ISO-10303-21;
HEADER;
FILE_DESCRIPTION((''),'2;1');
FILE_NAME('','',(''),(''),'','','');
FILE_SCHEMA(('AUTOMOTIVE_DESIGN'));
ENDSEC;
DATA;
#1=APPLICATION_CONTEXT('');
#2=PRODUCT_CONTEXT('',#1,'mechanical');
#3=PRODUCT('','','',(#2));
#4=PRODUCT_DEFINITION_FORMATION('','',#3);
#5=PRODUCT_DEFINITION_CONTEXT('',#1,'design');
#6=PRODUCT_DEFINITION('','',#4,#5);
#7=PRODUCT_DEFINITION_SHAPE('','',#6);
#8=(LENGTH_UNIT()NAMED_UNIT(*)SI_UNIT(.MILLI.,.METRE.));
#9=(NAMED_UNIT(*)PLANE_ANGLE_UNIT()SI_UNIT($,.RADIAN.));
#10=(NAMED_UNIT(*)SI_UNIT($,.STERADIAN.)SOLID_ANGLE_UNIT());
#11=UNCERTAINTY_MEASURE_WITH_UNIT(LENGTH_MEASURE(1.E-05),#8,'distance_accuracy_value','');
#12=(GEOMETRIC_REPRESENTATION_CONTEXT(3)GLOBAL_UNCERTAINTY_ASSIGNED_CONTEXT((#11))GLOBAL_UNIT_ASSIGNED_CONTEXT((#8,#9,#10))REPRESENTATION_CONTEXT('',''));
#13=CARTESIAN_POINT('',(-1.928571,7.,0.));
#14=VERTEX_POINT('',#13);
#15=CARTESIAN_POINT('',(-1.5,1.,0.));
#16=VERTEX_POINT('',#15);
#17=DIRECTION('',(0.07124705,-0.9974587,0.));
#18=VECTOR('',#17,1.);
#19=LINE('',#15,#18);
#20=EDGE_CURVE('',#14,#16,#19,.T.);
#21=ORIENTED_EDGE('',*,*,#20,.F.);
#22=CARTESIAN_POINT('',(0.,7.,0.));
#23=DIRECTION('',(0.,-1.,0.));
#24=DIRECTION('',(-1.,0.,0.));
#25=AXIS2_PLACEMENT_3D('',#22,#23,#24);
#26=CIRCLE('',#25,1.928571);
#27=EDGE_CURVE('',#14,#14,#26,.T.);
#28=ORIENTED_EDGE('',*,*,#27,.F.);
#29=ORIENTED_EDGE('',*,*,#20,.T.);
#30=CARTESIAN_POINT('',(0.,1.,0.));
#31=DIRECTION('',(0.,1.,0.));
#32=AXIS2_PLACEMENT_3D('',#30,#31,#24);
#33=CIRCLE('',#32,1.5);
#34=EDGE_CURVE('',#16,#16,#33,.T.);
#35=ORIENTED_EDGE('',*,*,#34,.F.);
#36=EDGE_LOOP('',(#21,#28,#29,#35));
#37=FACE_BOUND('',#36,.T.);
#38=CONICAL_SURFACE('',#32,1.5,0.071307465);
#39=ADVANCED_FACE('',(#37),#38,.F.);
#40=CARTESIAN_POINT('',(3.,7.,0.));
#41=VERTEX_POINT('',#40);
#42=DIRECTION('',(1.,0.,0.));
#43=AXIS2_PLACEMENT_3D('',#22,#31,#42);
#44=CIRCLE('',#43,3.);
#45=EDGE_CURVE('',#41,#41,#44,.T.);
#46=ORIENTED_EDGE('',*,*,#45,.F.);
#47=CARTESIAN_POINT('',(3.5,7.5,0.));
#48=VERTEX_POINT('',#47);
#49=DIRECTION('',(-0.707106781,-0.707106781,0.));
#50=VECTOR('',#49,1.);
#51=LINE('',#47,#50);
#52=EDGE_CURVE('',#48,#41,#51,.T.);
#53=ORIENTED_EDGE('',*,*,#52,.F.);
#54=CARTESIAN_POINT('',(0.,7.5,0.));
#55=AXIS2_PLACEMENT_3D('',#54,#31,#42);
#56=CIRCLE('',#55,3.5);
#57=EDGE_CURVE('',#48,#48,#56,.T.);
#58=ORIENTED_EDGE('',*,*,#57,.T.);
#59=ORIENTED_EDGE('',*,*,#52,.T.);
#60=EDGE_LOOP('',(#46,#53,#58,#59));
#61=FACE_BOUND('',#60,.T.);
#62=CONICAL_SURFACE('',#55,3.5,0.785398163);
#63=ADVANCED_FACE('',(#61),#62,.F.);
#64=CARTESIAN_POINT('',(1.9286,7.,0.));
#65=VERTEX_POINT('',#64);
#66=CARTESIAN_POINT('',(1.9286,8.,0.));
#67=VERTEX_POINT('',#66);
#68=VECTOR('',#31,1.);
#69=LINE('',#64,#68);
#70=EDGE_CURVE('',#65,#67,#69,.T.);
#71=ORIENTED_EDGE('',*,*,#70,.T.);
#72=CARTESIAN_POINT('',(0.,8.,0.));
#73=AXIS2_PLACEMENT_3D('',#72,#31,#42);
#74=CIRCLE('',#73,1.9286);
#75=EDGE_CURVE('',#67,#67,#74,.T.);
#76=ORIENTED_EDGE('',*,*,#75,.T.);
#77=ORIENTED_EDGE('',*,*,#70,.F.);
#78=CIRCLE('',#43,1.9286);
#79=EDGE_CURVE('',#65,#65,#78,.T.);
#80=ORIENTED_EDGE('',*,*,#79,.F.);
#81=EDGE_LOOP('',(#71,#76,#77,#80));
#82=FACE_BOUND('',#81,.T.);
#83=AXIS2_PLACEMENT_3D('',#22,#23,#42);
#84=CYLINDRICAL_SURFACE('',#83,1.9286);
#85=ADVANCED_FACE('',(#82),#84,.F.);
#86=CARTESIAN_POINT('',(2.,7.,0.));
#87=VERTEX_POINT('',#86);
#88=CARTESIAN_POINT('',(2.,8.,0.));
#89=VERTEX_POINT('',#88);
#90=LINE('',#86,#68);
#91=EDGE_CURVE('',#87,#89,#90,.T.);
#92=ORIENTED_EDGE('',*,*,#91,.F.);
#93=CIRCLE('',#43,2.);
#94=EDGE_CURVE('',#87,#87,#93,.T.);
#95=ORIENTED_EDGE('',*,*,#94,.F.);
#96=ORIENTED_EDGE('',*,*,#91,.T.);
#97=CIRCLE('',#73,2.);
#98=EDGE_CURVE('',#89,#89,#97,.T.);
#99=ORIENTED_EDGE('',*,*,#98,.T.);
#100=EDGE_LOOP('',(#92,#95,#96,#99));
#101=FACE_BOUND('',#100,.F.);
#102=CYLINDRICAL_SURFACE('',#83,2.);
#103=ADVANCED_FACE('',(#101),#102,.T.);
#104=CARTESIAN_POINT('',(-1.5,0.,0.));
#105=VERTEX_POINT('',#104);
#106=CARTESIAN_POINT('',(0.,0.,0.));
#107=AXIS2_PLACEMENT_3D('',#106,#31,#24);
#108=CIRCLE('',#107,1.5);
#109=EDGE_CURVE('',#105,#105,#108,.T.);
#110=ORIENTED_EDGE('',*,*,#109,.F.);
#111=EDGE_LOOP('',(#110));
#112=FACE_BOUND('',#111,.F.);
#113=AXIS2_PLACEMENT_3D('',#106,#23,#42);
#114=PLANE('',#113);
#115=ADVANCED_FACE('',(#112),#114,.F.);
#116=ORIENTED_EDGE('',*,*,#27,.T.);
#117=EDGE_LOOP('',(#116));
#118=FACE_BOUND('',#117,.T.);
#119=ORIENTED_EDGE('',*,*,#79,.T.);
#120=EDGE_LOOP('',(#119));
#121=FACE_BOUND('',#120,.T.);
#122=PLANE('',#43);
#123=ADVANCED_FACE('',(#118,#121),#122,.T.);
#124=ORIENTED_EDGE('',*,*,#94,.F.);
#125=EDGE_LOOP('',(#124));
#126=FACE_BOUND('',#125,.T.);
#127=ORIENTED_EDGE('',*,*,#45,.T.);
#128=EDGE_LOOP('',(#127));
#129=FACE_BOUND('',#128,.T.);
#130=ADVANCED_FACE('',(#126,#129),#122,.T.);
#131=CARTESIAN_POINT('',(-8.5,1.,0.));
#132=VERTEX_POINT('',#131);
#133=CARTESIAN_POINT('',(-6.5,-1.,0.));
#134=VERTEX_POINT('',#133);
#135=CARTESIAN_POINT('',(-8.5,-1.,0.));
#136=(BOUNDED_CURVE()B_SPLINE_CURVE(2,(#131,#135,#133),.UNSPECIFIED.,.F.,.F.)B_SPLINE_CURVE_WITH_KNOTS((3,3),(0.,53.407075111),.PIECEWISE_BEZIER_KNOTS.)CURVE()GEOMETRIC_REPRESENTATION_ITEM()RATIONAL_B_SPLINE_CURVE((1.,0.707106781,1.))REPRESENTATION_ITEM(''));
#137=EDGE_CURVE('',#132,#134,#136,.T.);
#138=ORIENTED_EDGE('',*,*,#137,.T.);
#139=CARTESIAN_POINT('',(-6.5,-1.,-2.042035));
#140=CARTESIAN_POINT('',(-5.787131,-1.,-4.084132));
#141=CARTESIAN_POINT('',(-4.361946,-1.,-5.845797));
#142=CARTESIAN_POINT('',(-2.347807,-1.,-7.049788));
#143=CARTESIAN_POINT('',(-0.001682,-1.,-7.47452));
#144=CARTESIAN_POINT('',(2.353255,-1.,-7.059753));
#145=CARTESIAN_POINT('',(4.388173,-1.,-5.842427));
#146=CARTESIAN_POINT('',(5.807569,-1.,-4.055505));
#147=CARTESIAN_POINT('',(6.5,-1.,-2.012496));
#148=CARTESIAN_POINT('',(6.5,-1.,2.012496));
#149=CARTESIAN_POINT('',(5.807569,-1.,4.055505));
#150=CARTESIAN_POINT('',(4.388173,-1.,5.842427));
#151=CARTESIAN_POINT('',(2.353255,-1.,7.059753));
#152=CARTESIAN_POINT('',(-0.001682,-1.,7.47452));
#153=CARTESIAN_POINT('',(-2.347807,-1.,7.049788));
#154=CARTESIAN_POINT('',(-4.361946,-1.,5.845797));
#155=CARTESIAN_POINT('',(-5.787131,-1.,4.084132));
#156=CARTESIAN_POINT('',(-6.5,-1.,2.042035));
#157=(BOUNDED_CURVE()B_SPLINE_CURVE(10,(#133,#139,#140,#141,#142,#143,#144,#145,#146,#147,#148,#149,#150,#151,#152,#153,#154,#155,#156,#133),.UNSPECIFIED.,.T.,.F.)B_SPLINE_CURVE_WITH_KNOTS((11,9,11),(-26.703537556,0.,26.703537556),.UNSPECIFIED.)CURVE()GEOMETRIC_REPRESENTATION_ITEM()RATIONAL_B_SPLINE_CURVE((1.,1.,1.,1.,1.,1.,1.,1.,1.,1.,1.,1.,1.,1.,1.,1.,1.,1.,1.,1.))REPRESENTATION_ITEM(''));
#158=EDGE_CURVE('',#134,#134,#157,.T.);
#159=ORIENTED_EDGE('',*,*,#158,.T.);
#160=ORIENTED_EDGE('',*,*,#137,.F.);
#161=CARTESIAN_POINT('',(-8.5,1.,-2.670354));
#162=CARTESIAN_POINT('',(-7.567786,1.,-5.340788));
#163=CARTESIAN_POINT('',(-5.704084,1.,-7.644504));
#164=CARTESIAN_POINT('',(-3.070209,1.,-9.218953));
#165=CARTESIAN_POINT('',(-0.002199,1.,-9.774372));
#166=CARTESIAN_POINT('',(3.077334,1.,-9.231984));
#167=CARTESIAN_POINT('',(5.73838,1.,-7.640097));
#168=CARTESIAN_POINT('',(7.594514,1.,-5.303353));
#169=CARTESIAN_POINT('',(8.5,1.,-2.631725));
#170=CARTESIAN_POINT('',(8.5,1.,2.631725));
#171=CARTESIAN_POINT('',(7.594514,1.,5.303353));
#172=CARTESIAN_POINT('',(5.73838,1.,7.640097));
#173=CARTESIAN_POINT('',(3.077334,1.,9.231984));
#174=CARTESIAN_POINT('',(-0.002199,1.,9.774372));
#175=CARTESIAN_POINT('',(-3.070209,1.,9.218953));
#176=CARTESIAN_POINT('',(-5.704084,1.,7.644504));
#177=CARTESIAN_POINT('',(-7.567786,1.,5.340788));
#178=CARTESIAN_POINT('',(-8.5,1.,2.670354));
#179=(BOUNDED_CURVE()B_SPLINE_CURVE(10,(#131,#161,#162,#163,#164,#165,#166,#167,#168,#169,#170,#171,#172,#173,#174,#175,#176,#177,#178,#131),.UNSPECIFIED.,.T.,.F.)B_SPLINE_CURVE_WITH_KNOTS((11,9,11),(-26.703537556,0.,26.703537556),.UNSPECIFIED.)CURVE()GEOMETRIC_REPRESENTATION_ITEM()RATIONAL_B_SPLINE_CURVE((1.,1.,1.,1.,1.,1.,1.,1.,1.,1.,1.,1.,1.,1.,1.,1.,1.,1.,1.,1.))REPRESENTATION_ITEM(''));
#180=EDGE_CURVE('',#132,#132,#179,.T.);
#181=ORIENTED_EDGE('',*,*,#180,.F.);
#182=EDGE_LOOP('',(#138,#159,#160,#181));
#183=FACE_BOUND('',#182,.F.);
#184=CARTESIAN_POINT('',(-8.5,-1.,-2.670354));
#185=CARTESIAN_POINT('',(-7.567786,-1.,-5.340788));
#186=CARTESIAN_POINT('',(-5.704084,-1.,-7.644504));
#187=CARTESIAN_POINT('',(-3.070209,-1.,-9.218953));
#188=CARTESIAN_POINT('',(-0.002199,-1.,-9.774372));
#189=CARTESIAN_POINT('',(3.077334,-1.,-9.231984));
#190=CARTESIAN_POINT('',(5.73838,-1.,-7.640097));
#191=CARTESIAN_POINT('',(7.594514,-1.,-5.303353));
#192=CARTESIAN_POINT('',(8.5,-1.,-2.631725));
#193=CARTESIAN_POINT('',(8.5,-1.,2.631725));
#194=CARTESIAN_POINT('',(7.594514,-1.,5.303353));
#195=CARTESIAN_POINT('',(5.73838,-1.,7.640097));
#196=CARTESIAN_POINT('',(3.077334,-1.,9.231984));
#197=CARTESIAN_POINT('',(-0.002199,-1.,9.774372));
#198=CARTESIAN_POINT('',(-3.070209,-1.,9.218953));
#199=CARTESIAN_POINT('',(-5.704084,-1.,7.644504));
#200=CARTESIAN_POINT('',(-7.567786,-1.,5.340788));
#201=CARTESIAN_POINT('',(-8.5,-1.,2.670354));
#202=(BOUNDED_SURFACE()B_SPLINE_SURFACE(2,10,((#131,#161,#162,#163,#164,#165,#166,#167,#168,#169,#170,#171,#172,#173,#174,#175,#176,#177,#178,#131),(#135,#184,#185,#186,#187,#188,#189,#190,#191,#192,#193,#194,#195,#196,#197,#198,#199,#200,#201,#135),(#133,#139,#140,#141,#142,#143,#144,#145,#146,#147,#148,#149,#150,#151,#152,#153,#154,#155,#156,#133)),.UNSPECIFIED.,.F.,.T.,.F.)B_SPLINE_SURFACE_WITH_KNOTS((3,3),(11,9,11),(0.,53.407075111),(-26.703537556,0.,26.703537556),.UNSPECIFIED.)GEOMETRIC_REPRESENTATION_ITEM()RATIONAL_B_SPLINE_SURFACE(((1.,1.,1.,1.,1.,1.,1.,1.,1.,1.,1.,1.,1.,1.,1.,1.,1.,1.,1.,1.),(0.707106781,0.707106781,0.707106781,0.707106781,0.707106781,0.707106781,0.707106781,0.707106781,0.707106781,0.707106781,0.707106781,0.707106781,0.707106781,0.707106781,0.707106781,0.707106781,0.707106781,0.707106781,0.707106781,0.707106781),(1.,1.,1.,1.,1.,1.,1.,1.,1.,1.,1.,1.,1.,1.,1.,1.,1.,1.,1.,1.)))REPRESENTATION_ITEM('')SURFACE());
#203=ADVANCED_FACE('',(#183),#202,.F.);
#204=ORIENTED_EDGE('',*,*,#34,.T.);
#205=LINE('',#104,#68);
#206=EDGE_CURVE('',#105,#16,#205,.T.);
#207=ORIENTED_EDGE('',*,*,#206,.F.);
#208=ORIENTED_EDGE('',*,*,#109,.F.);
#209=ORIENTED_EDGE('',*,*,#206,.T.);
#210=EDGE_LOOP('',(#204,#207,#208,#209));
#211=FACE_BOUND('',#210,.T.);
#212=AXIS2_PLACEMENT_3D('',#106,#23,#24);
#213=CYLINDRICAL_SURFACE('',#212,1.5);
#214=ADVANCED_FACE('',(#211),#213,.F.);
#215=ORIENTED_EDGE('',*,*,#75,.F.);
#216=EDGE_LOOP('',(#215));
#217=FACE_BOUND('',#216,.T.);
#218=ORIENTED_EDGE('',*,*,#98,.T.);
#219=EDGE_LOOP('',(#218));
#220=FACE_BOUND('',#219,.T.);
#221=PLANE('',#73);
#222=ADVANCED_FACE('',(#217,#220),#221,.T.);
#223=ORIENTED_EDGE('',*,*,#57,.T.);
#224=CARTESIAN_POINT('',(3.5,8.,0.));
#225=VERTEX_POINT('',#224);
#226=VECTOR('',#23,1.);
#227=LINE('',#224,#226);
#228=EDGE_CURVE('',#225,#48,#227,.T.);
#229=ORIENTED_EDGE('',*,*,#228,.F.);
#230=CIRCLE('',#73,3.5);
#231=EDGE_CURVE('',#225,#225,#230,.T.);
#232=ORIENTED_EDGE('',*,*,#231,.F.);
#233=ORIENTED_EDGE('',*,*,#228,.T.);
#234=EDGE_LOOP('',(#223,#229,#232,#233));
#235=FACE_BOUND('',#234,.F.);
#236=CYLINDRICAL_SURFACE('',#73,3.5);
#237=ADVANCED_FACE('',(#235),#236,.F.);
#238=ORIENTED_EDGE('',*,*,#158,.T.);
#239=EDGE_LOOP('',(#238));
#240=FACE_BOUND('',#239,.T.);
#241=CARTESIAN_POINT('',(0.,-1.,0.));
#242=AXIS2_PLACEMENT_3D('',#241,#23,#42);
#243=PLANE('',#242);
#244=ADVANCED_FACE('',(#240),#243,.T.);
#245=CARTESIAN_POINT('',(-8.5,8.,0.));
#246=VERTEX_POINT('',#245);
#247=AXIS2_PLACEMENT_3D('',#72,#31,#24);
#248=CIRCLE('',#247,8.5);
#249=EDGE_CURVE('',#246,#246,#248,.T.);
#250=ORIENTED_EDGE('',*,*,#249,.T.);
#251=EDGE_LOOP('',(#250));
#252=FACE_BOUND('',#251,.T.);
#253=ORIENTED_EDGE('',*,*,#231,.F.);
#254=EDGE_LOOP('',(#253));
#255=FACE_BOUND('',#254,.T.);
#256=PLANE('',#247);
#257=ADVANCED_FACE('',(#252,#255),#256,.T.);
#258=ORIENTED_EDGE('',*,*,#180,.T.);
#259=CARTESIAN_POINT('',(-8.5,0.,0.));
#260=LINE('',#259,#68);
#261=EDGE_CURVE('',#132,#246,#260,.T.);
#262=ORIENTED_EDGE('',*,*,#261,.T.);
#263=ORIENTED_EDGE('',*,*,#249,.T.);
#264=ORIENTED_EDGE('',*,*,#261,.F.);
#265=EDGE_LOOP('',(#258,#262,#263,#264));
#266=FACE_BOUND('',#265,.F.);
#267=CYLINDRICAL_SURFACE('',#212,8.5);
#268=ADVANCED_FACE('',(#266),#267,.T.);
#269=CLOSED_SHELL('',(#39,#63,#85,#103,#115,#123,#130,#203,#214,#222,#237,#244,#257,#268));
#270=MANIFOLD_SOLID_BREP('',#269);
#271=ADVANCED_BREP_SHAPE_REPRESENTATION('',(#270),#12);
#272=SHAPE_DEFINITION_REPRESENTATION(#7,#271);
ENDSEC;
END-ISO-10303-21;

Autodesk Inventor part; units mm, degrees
ref_plane "YZ Plane" through (0, 0, 0) normal (1, 0, 0) x (0, 1, 0)
ref_plane "XZ Plane" through (0, 0, 0) normal (0, 1, 0) x (-1, 0, 0)
ref_plane "XY Plane" through (0, 0, 0) normal (0, 0, 1) x (1, 0, 0)
sketch "Sketch1" plane through (0, 0, 0) normal (0, 1, 0) x (-1, 0, 0)
  circle A0 centre (0, 0) radius 1.5
  circle A1 centre (0, 0) radius 8.5
  dimension "d0" = 3
  dimension "d1" = 17
extrude "Extrusion1" add sketch "Sketch1" along normal blind 8
chamfer "Chamfer1" distance 0.5 distance2 7 1 edges at (1.5, 8, 0) measured on face at (-6.0698, 8, -0.7977)
sketch "Sketch2" plane through (0, 0, 0) normal (0, -1, 0) x (1, 0, 0)
  circle A0 centre (0, 0) radius 8.5 projected
extrude "Extrusion2" add sketch "Sketch2" along normal blind 1
fillet "Fillet1" radius 2 1 edges at (-8.5, -1, 0)
sketch "Sketch3" plane through (0, 8, 0) normal (0, 1, 0) x (1, 0, 0)
  circle A0 centre (0, 0) radius 2 projected
  circle A1 centre (0, 0) radius 3.5
  dimension "d10" = 7
extrude "Extrusion3" cut sketch "Sketch3" against normal blind 1 contours A0 | A1
sketch "Sketch4" plane through (0, 7, 0) normal (0, 1, 0) x (1, 0, 0)
  circle A0 centre (0, 0) radius 1.9286 projected
  circle A1 centre (0, 0) radius 3.5 projected
  circle A2 centre (0, 0) radius 2
  dimension "d13" = 4
extrude "Extrusion4" add sketch "Sketch4" along normal blind 1 contours A2
chamfer "Chamfer2" distance 0.5 angle 45 1 edges at (-3.5, 7, 0)
equation "\"BendRadius\" = Thickness"
equation "\"BendReliefWidth\" = Thickness"
equation "\"BendReliefDepth\" = 0.5 * Thickness"
equation "\"CornerReliefSize\" = 4 * Thickness"
equation "\"MinimumRemnant\" = 2 * Thickness"
equation "\"TransitionRadius\" = BendRadius"
equation "\"JacobiRadiusSize\" = BendRadius"
equation "\"GapSize\" = Thickness"
equation "\"Thickness\" = 0.5"
properties part number "powerButtonPart1"
